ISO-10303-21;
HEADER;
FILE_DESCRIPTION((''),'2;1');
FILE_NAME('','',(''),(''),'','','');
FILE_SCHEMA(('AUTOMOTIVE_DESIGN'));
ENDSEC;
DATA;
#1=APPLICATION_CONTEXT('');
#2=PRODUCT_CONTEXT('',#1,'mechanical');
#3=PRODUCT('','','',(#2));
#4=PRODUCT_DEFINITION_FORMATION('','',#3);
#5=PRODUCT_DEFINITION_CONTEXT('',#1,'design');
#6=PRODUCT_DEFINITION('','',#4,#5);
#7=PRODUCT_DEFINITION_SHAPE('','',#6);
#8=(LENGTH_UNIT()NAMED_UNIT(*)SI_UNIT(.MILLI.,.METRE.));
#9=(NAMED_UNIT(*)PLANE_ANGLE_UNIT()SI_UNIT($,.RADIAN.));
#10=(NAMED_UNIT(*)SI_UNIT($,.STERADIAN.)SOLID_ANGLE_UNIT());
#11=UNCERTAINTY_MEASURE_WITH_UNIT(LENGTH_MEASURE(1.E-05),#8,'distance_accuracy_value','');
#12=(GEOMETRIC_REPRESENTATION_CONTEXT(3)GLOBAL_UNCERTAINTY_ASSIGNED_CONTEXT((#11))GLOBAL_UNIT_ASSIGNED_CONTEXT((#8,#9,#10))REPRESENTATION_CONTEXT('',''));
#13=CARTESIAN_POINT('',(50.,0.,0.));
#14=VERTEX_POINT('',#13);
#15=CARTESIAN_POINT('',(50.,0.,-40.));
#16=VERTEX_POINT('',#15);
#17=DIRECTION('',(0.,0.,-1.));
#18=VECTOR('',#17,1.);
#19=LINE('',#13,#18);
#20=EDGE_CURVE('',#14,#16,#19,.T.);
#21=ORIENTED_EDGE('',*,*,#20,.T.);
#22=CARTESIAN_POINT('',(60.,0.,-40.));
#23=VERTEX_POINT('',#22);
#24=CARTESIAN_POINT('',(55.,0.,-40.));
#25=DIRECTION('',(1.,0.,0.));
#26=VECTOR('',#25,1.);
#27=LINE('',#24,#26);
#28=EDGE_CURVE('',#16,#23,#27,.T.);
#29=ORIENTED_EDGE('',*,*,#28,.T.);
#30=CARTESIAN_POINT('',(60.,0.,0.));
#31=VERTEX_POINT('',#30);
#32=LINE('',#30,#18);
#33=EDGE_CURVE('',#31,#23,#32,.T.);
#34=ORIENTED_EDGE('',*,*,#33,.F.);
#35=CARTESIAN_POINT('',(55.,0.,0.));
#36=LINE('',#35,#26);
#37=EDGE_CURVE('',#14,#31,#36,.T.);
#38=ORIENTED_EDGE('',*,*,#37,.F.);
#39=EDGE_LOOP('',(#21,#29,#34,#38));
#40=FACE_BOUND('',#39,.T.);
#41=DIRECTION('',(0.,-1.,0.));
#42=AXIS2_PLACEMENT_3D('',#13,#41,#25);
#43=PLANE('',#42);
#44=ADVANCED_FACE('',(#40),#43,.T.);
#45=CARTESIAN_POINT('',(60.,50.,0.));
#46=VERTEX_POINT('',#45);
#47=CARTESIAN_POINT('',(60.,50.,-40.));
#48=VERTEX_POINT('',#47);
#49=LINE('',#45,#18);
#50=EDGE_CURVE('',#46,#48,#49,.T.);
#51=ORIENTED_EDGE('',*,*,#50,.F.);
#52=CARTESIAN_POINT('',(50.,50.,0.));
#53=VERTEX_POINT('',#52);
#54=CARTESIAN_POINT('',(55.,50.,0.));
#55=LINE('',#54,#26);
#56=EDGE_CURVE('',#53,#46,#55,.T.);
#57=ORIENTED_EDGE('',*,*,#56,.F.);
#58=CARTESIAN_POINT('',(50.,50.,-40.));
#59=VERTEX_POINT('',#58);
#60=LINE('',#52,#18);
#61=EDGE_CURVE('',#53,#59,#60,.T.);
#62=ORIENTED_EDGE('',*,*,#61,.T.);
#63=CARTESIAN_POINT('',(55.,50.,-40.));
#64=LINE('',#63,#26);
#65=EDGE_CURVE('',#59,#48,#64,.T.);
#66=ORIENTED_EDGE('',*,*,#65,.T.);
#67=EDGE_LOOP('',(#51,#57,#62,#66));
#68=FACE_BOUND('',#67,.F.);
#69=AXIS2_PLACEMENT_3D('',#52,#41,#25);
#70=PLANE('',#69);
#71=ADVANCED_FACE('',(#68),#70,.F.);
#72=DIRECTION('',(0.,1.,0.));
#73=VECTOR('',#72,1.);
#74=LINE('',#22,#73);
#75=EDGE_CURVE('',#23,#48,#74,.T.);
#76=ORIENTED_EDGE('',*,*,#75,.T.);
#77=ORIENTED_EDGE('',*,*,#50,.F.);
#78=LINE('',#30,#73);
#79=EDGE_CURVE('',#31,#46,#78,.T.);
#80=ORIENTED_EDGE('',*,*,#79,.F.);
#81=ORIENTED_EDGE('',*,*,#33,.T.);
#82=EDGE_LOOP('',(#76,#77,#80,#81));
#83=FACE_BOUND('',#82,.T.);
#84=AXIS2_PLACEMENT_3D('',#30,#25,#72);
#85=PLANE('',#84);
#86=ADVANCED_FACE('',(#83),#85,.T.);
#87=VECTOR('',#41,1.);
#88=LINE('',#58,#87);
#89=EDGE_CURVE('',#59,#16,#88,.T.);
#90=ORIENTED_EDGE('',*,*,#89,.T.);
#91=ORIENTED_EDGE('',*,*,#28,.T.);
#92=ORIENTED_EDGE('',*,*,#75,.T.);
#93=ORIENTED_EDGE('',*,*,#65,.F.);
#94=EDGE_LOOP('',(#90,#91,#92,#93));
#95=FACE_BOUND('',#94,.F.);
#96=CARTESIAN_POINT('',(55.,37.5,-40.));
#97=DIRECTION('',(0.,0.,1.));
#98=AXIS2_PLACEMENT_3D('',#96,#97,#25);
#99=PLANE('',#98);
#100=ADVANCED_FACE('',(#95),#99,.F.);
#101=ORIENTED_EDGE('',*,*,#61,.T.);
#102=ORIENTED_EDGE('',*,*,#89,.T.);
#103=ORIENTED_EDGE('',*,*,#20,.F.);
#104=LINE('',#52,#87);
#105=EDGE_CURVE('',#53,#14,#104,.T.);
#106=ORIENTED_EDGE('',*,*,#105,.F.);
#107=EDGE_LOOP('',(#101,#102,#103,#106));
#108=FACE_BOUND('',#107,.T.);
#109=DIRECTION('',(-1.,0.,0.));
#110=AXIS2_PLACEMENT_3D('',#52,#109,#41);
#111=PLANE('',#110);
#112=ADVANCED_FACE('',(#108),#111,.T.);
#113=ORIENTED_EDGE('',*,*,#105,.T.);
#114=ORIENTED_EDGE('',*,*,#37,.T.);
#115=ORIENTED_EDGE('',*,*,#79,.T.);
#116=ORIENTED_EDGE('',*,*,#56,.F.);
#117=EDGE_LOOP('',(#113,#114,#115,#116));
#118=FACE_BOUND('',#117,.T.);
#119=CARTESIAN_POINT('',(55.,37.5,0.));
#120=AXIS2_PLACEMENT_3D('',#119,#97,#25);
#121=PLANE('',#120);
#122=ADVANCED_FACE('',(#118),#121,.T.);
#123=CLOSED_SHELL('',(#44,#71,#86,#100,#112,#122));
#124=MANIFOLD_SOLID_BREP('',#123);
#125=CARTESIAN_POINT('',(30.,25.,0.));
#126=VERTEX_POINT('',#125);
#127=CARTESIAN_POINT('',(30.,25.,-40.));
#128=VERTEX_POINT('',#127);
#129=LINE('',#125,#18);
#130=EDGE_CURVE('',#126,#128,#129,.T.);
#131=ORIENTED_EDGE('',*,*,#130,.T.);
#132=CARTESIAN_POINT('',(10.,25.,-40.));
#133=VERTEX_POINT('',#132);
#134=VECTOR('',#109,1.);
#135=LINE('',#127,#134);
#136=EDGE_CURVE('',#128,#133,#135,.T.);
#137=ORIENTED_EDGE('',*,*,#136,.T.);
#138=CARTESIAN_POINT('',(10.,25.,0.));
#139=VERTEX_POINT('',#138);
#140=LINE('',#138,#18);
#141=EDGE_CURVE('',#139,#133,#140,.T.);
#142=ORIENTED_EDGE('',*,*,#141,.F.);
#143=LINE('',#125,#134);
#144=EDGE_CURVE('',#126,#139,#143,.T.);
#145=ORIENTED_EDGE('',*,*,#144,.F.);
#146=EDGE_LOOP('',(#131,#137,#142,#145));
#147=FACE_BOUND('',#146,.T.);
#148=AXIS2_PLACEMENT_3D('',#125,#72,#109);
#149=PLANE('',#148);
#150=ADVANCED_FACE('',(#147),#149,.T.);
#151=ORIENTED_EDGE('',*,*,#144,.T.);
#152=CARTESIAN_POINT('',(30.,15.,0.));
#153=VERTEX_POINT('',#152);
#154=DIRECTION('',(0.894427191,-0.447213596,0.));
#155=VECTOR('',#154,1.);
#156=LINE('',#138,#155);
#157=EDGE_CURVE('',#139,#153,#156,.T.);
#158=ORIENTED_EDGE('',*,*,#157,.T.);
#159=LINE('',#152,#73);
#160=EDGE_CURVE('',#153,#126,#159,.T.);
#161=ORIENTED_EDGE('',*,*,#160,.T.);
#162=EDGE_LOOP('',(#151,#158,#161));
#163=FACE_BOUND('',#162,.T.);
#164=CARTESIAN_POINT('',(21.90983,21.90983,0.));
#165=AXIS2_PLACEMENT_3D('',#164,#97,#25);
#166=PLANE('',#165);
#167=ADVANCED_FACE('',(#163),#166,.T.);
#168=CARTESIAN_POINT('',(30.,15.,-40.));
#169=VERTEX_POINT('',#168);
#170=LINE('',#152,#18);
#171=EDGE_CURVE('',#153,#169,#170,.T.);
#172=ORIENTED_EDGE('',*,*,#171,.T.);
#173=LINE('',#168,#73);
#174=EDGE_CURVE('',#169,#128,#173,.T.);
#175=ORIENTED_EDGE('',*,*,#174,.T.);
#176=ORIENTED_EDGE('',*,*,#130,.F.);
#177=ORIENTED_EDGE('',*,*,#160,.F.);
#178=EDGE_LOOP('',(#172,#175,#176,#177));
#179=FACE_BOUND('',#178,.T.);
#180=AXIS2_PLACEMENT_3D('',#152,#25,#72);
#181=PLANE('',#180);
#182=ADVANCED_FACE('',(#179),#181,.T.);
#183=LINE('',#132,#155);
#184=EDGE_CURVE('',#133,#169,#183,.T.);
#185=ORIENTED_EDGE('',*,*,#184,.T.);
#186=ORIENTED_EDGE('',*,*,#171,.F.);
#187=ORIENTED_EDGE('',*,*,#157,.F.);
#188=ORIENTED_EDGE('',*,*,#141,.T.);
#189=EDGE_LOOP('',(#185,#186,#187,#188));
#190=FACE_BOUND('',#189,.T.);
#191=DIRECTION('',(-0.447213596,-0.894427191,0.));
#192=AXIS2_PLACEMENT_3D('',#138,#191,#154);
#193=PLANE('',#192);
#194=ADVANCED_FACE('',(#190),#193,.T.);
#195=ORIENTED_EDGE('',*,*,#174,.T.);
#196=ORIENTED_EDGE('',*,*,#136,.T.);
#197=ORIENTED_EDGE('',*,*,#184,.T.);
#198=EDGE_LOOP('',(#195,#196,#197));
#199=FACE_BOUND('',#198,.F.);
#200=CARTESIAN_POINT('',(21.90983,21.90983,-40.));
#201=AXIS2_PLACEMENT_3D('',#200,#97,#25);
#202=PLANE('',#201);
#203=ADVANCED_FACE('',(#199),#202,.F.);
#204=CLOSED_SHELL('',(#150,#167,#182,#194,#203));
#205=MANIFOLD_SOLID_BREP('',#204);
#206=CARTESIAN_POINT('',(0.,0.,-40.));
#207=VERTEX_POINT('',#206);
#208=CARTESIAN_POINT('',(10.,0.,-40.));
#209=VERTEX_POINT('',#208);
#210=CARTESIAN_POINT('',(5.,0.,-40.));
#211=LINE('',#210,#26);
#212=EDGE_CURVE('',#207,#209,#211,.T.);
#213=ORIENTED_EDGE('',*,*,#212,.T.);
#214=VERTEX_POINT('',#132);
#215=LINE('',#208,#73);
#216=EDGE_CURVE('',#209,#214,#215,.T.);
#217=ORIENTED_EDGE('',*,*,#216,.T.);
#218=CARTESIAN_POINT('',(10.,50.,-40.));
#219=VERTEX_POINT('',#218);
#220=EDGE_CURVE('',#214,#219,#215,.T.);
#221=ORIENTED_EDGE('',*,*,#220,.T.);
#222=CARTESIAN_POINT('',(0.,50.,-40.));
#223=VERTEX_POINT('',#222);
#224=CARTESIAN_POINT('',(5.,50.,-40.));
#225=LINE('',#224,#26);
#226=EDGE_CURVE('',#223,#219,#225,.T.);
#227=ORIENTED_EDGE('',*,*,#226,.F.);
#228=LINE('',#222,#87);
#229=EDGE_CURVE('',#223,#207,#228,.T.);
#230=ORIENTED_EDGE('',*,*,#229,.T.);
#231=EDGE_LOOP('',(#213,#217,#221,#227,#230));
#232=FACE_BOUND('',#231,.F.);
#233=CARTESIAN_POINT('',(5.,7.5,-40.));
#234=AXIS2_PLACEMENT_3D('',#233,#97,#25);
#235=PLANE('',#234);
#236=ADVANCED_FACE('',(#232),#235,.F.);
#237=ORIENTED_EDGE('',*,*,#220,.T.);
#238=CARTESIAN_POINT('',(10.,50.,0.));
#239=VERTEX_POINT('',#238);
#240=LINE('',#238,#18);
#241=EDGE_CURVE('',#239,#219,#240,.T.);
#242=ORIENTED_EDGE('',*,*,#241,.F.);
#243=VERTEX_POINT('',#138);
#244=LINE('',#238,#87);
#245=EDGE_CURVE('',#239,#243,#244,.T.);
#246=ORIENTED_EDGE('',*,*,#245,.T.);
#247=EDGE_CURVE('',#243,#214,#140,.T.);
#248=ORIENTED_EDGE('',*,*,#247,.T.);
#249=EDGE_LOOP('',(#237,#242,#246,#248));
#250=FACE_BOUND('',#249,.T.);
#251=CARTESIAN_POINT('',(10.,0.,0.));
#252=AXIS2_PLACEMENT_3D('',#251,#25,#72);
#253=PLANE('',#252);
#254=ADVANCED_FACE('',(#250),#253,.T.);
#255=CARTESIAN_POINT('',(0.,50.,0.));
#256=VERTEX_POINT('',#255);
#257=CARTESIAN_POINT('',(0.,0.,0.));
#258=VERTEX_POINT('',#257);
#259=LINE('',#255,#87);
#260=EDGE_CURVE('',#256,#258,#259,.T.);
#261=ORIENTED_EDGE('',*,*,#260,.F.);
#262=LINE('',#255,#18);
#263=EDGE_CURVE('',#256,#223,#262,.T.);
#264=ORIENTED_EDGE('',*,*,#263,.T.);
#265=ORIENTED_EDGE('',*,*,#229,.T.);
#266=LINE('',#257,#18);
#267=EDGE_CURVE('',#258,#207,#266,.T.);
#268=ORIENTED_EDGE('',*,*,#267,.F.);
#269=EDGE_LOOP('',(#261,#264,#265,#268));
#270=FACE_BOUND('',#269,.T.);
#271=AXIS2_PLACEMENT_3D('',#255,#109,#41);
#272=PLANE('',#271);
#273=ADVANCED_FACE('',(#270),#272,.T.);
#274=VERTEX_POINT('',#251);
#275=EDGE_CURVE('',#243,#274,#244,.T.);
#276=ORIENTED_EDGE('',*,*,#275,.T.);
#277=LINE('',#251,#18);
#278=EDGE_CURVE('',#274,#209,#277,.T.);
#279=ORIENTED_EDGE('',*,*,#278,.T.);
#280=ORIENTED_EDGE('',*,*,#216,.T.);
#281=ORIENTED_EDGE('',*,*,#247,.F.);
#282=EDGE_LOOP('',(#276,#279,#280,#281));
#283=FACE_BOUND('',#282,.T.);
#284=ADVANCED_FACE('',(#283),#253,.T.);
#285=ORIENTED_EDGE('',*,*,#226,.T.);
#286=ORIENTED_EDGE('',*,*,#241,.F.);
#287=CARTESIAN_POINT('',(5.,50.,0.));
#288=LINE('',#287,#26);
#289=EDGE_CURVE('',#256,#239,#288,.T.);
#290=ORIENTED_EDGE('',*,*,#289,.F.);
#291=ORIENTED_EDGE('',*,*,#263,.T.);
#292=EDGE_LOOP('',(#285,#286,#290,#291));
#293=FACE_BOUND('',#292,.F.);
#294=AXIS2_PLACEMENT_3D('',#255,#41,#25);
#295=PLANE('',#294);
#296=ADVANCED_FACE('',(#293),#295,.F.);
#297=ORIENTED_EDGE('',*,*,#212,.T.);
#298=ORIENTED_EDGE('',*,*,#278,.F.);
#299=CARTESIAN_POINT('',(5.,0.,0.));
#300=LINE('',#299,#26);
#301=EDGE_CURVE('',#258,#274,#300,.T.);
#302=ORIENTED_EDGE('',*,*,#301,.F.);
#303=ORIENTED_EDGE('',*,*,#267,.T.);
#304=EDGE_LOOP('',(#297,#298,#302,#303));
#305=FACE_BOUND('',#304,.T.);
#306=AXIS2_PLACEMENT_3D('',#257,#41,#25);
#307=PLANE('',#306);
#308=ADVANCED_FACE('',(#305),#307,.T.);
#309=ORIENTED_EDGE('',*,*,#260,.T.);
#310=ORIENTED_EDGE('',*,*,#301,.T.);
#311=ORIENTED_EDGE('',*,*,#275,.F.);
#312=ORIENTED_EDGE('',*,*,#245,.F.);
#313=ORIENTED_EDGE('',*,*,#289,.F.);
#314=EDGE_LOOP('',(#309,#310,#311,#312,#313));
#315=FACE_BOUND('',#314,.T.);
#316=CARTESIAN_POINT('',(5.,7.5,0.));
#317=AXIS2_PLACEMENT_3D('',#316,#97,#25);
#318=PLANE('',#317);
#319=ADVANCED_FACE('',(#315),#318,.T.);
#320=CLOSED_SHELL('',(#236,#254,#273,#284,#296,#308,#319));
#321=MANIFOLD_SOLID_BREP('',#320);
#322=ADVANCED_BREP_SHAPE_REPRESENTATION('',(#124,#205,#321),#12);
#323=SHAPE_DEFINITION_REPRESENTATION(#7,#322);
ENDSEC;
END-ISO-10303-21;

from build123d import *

# Parameters (mm, degrees)
F0_W     = 10
F0_H     = 15
F0_H_2   = 25
F0_H_3   = 10
F1_DEPTH = 40


with BuildPart() as f1:
    # F0 (on Top) → F1 (new body)
    with BuildSketch(Plane.XY):
        with Locations((5, 7.5)):
            Rectangle(F0_W, F0_H)
        with Locations((5, 37.5)):
            Rectangle(F0_W, F0_H_2)
        with Locations((5, 20)):
            Rectangle(F0_W, F0_H_3)
        with Locations((55, 37.5)):
            Rectangle(F0_W, F0_H_2)
        with Locations((55, 7.5)):
            Rectangle(F0_W, F0_H)
        with Locations((55, 20)):
            Rectangle(F0_W, F0_H_3)
        Polygon((30, 25), (10, 25), (30, 15), align=None)
    extrude(amount=-F1_DEPTH)


solid = f1.part
